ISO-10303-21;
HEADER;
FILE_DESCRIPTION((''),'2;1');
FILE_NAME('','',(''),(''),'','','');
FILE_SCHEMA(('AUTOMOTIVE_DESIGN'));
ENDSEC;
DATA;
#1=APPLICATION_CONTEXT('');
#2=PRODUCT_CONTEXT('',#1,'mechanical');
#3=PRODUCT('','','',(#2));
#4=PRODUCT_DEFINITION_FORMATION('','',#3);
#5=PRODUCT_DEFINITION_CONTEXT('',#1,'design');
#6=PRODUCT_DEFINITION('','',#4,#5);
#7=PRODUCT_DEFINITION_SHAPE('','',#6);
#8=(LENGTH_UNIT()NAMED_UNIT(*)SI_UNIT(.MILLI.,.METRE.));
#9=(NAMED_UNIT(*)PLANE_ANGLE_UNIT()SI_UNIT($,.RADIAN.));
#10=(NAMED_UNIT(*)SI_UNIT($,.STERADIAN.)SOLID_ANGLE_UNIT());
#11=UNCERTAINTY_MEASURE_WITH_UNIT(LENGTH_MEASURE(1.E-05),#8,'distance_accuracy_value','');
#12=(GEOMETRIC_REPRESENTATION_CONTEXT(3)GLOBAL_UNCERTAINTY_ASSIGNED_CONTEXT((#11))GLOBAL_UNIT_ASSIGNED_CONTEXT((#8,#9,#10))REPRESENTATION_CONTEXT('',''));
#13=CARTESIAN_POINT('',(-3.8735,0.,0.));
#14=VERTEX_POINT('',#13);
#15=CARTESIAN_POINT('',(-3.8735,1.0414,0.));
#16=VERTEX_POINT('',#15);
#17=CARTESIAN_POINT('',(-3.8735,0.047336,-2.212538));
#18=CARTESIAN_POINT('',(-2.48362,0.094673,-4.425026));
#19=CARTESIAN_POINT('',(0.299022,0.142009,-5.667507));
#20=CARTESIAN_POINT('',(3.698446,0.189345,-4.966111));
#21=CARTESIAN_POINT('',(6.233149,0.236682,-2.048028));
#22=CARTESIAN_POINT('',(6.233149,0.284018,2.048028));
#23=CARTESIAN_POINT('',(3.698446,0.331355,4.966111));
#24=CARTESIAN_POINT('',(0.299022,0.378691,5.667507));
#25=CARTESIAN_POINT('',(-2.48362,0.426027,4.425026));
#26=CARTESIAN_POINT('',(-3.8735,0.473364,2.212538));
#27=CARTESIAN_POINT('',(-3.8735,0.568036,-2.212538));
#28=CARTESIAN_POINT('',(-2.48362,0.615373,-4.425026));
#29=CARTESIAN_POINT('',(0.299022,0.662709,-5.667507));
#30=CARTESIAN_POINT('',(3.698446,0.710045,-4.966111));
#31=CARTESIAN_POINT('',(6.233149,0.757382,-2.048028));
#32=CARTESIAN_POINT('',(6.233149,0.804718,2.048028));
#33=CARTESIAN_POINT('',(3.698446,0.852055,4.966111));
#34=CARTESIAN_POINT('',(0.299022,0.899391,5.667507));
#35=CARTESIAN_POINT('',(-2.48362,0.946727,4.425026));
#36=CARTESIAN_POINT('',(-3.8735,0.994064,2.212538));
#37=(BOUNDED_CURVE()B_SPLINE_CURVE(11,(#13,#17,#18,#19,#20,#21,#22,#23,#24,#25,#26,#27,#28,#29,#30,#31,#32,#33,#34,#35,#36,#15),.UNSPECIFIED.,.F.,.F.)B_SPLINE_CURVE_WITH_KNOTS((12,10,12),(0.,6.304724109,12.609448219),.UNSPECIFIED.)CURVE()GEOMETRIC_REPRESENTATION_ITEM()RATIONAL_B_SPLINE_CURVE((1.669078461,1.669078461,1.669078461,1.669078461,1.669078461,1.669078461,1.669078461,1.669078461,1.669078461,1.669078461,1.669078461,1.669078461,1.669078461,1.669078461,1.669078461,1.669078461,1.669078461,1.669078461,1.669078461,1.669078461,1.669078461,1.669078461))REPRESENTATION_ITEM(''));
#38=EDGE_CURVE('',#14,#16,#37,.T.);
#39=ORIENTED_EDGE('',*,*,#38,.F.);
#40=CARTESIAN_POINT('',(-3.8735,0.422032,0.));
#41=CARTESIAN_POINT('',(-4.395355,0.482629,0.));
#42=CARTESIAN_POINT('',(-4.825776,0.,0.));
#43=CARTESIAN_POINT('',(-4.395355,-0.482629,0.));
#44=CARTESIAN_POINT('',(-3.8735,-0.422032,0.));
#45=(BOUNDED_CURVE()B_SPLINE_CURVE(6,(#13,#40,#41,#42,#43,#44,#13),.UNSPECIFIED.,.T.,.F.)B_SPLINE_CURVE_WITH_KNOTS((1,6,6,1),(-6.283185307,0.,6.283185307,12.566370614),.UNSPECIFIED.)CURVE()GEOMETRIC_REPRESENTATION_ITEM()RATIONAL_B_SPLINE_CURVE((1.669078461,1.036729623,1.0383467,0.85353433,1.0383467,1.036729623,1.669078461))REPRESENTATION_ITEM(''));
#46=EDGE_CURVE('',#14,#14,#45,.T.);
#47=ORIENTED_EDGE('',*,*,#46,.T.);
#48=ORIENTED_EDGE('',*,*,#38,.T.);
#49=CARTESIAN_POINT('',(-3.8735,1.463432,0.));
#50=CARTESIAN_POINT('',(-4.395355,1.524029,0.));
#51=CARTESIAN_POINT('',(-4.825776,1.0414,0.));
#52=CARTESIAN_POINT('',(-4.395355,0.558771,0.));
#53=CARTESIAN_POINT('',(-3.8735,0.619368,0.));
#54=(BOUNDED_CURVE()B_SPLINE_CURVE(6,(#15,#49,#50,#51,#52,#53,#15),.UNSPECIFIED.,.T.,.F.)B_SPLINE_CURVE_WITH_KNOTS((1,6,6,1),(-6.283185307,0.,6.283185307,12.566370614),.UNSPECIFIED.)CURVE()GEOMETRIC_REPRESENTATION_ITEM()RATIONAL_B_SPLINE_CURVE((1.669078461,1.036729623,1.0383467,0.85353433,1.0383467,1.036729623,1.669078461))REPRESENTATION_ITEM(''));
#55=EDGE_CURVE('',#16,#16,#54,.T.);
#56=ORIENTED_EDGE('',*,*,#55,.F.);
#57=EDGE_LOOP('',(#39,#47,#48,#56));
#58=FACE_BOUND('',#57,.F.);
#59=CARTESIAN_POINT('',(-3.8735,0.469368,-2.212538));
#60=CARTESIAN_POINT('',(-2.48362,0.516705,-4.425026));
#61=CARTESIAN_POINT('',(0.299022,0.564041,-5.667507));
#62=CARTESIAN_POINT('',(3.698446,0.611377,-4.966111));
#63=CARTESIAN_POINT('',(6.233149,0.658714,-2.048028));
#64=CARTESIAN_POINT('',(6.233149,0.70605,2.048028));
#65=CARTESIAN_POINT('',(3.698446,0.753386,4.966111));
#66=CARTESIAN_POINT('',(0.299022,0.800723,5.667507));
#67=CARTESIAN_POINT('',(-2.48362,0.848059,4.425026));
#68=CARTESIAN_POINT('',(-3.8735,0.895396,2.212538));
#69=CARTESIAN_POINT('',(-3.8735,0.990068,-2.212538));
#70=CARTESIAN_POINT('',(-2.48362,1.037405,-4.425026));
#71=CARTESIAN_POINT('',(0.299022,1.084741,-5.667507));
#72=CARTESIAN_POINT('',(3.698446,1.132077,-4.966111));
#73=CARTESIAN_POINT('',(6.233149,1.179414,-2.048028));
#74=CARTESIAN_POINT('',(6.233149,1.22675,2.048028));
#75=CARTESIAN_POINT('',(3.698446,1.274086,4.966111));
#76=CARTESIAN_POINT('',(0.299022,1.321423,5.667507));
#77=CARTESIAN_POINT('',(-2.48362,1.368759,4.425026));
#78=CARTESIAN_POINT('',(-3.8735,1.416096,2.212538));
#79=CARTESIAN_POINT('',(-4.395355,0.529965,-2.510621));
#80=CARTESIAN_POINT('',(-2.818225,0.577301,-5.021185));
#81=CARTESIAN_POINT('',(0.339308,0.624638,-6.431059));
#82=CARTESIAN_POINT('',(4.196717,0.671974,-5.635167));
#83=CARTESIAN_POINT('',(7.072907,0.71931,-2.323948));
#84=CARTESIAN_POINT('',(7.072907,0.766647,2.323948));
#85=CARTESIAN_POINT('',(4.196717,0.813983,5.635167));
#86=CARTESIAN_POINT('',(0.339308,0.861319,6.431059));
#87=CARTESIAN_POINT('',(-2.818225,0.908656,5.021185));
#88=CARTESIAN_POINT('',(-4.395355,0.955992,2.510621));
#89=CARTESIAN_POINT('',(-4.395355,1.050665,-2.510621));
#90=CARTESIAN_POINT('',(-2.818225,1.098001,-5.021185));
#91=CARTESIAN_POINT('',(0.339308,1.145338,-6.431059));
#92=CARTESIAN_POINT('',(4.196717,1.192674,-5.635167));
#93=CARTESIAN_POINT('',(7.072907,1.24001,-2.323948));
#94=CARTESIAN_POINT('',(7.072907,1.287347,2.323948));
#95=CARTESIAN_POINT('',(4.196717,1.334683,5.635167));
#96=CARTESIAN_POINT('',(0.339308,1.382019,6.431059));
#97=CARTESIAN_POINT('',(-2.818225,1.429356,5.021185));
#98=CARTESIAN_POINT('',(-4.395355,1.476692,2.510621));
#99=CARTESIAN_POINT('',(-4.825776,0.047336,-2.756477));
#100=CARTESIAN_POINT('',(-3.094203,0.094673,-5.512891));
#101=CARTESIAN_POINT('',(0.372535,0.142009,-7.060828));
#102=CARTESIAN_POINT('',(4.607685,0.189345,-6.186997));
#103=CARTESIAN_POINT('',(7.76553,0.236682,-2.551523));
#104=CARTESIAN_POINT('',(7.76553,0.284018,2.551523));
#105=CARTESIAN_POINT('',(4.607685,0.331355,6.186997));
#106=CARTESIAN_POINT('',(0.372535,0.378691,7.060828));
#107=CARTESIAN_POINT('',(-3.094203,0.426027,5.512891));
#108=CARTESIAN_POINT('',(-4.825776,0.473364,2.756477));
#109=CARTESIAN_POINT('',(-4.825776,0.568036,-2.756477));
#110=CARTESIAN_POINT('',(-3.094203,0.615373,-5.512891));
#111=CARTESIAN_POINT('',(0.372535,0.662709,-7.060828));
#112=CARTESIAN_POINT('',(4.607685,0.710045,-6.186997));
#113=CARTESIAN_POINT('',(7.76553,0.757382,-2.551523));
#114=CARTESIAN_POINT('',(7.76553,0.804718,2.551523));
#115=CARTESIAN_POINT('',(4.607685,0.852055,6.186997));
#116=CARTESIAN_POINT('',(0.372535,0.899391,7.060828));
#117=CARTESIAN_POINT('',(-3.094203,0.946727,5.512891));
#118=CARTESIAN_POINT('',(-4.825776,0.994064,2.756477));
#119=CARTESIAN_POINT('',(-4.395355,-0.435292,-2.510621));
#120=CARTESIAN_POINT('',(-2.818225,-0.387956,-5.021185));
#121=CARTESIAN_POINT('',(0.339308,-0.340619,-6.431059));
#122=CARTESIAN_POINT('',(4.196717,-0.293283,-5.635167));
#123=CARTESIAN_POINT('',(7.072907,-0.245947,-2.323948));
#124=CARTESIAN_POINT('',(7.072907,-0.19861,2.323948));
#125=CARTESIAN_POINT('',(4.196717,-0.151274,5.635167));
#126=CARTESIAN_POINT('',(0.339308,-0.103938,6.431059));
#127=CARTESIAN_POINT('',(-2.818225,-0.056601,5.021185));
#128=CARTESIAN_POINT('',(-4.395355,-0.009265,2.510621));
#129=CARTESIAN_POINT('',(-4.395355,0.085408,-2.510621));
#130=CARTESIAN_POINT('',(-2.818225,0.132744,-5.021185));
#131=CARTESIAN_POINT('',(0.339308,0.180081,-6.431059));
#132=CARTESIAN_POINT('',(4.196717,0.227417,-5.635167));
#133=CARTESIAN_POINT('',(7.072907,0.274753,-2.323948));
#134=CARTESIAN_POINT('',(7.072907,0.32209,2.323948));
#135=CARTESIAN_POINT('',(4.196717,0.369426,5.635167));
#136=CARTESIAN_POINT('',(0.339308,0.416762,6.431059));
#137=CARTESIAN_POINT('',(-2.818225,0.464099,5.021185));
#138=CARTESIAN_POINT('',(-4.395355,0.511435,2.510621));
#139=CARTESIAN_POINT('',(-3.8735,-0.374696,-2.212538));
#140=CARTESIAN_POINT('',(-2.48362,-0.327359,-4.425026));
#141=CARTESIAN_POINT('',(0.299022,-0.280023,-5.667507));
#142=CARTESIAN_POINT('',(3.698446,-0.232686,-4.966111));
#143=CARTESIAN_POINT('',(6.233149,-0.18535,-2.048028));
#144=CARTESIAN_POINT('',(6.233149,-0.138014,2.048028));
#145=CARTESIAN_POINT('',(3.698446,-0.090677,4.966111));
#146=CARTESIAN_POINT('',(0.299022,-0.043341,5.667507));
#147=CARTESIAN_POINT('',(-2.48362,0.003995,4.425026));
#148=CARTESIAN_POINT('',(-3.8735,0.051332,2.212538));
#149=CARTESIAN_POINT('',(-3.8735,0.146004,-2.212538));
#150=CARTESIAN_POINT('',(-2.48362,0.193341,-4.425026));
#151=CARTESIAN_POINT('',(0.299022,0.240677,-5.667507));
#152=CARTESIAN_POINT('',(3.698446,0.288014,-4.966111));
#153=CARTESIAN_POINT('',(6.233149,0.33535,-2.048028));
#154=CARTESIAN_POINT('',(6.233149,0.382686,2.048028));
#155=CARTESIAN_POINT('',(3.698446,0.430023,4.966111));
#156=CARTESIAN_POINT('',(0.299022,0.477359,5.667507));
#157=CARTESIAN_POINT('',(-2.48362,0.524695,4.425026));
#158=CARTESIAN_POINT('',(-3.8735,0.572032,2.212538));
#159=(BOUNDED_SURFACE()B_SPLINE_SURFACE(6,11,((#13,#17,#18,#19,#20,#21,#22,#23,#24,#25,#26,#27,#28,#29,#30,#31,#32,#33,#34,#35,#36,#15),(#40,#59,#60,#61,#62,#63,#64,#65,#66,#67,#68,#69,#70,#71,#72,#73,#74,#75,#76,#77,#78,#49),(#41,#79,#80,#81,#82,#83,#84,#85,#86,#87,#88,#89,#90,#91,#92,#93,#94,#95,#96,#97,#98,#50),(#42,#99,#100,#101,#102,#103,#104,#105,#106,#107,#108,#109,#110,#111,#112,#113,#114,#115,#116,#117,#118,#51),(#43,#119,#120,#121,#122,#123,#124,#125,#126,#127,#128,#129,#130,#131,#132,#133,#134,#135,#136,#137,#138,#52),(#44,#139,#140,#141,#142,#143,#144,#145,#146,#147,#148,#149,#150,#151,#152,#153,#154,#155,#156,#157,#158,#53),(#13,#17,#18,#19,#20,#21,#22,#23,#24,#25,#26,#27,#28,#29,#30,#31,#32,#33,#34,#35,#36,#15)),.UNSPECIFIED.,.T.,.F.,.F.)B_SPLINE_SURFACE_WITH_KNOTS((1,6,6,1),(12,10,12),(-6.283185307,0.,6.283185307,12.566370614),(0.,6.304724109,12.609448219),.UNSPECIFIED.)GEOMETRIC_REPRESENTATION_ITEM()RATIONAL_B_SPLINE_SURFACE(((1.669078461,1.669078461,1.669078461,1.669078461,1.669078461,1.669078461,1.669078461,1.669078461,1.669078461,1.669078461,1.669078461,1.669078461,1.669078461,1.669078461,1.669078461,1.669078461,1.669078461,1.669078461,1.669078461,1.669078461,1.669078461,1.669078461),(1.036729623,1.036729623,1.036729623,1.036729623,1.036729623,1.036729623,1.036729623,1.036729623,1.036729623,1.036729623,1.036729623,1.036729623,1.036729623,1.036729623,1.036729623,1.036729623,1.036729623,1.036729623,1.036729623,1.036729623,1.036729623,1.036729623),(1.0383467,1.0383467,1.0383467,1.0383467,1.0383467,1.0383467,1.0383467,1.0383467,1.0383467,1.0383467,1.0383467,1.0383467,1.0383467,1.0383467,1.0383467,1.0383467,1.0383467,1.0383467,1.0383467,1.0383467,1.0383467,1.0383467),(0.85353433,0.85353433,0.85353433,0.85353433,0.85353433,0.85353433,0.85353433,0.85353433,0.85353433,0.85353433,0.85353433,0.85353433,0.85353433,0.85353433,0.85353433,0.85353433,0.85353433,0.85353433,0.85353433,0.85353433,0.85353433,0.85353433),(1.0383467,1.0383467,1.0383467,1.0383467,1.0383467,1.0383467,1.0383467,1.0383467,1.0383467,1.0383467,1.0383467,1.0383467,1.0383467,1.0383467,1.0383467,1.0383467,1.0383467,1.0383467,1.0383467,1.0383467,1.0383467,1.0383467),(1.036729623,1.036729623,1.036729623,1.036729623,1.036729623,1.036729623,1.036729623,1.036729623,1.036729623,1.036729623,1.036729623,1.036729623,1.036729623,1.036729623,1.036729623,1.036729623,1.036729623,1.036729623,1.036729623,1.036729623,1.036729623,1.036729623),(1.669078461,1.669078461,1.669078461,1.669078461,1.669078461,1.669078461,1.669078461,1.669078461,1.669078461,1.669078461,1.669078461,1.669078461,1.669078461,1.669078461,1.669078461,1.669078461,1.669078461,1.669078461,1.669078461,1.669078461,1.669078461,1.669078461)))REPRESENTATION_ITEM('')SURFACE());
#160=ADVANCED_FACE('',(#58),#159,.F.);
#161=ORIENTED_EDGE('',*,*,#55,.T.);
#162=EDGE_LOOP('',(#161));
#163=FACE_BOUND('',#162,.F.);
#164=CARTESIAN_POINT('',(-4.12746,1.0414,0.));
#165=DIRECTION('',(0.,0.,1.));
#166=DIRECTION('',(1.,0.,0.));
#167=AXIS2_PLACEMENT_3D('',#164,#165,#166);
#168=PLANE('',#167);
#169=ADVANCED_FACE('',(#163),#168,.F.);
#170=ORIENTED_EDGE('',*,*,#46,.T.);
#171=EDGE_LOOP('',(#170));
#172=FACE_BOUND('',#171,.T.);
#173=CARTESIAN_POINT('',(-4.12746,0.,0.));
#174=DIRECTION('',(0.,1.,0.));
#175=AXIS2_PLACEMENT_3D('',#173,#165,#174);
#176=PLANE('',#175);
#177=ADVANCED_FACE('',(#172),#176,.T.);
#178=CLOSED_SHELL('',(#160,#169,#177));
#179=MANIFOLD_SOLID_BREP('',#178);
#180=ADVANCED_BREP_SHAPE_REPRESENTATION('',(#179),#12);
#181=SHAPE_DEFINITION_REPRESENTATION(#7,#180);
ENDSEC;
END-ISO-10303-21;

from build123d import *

# Parameters (mm, degrees)
SWEEP3_PITCH       = 0.5207
SWEEP3_HEIGHT      = 1.0414
SWEEP3_RADIUS      = 4.1275
SWEEP3_START_ANGLE = -90
SKETCH2_R          = 0.254


with BuildPart() as part:
    # Sweep3: sweep along a helix
    with BuildLine() as sweep3_path:
        add(Helix(SWEEP3_PITCH, SWEEP3_HEIGHT, SWEEP3_RADIUS, center=(0, 0, 0), direction=(0, 1, 0), lefthand=True, mode=Mode.PRIVATE).rotate(Axis((0, 0, 0), (0, 1, 0)), SWEEP3_START_ANGLE))
    # Sketch2 → Sweep3 (sweep)
    with BuildSketch(Plane.XY):
        with Locations((-4.1275, 0)):
            Circle(SKETCH2_R)
    sweep(path=sweep3_path.line, is_frenet=True)


solid = part.part
